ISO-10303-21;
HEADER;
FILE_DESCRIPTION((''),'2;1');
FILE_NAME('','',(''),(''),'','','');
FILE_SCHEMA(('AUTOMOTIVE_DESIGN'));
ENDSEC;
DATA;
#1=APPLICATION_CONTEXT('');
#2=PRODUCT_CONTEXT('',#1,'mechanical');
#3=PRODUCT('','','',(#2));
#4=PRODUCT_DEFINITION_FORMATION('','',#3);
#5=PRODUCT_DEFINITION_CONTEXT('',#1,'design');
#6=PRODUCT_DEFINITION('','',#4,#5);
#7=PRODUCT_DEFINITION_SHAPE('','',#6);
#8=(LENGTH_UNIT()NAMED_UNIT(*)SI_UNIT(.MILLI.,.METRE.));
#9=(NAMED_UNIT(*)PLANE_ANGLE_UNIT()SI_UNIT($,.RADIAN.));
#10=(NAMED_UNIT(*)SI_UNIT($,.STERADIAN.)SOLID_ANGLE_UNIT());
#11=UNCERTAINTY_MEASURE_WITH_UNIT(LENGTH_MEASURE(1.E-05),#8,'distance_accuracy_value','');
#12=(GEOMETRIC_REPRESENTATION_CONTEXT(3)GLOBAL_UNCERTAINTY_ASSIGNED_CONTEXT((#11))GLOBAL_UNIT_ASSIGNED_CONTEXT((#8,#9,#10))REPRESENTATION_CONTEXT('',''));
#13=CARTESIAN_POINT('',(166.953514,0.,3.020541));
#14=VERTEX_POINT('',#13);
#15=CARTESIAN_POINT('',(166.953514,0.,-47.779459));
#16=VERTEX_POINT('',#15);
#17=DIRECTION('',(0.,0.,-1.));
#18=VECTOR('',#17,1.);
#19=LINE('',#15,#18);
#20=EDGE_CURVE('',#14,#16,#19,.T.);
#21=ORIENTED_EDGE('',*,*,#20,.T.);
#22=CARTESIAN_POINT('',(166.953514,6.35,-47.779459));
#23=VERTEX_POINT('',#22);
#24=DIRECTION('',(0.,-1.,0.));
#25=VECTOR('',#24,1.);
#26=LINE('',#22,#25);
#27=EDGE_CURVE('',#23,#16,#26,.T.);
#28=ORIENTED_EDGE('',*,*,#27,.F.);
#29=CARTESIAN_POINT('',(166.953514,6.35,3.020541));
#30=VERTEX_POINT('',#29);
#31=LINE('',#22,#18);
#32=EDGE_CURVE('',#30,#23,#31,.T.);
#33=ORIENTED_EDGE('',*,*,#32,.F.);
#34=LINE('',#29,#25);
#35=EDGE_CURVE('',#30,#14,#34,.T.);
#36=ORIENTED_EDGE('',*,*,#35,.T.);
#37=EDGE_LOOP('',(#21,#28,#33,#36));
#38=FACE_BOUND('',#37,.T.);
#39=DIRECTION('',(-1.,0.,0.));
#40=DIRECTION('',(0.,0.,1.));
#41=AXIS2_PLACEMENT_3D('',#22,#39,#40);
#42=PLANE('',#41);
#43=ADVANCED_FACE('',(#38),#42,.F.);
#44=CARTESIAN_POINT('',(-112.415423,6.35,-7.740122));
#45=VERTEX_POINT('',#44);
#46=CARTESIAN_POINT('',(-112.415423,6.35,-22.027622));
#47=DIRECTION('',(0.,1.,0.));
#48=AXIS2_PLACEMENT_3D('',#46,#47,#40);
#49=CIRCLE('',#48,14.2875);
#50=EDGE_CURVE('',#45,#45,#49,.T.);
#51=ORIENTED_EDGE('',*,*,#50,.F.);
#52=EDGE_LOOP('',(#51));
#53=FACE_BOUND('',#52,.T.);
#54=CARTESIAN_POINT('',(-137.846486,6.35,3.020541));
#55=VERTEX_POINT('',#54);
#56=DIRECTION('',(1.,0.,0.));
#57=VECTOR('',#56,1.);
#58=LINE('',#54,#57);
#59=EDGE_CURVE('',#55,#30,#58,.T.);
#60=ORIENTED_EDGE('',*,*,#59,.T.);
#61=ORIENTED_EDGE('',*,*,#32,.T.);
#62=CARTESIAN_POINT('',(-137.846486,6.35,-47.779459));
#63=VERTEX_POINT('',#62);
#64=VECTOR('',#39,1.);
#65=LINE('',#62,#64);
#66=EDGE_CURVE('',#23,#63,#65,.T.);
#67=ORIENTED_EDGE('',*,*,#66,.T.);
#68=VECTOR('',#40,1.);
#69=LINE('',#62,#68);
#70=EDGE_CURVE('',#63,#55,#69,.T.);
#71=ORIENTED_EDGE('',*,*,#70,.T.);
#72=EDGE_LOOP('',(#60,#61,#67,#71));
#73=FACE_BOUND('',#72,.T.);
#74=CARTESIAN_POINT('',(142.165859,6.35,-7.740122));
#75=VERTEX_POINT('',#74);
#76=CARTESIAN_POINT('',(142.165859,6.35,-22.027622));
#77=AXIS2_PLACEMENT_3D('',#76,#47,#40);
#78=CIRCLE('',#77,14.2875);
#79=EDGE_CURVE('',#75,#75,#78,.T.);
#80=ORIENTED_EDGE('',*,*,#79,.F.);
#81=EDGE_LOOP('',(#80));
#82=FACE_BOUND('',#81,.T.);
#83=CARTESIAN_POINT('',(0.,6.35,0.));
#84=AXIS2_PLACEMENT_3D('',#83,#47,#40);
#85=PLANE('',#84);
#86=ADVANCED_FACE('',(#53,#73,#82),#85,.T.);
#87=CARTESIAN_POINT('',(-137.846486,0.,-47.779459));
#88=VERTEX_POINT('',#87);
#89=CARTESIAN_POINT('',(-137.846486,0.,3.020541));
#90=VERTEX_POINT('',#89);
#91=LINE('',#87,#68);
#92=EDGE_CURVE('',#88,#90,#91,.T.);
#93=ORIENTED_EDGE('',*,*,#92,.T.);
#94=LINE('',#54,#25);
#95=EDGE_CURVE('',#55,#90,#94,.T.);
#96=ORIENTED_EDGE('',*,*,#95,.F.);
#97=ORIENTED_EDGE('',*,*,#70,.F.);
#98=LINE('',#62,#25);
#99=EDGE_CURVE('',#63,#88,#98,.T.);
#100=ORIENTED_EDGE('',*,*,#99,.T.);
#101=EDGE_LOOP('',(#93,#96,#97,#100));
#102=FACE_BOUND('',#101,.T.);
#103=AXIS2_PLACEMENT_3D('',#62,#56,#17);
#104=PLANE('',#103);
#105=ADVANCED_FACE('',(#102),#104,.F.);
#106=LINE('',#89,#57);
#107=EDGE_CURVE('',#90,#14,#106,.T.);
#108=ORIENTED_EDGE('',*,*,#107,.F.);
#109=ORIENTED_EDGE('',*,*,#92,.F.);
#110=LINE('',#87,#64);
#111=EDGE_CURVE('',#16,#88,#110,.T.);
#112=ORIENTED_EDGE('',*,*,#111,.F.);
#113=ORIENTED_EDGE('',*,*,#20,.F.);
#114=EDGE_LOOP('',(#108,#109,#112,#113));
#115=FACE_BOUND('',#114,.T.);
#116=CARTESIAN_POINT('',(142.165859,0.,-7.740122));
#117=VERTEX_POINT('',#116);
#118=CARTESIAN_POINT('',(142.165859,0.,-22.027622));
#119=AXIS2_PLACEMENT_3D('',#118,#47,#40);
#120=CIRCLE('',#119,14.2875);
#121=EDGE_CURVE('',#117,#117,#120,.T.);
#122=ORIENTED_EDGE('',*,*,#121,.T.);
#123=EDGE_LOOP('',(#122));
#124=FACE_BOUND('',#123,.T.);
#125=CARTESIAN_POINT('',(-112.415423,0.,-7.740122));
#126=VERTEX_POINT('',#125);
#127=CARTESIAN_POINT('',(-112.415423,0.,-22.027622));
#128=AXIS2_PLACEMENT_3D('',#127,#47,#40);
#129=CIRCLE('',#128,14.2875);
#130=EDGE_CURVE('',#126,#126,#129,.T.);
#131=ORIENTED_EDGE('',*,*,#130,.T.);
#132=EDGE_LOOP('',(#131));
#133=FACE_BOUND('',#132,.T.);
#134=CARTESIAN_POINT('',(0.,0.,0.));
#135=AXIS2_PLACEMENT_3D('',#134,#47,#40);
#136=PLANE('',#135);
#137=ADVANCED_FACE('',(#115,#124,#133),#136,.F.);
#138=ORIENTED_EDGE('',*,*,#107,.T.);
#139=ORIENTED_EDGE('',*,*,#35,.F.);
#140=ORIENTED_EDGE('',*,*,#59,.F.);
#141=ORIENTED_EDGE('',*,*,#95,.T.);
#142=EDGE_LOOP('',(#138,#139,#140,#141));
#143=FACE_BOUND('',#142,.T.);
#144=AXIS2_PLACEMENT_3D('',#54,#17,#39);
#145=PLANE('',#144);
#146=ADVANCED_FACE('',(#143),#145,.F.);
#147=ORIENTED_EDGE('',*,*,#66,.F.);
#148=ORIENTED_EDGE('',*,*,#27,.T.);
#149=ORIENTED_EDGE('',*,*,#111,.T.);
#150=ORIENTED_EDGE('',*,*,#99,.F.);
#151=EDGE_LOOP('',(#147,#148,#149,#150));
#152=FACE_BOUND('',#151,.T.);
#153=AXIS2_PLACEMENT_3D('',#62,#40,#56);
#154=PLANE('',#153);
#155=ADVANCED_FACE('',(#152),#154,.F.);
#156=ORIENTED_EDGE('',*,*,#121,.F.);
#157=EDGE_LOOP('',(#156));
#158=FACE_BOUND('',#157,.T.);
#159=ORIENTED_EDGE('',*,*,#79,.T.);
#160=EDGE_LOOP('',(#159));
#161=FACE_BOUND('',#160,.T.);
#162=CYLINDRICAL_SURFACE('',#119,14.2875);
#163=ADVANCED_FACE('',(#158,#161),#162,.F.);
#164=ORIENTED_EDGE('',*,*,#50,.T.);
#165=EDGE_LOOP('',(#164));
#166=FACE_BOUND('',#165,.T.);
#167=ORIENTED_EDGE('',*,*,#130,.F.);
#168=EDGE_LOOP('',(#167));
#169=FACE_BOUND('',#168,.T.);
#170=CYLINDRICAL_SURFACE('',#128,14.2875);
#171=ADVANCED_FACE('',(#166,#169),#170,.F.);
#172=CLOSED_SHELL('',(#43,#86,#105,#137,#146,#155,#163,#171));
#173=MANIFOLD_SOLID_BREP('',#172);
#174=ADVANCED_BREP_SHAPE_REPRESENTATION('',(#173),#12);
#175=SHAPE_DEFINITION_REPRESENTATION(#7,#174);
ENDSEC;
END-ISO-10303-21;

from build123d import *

# Parameters (mm, degrees)
SKETCH1_W           = 304.8
SKETCH1_H           = 50.8
BOSS_EXTRUDE1_DEPTH = 6.35
SKETCH2_R           = 14.2875
CUT_EXTRUDE1_DEPTH  = 6.35


with BuildPart() as part:
    # Sketch1 → Boss-Extrude1 (new body)
    with BuildSketch(Plane(origin=(0, 0, 0), x_dir=(1, 0, 0), z_dir=(0, 1, 0))):
        with Locations((14.553513514, 22.379459459)):
            Rectangle(SKETCH1_W, SKETCH1_H)
    extrude(amount=BOSS_EXTRUDE1_DEPTH)

    # Sketch2 → Cut-Extrude1 (cut)
    with BuildSketch(Plane(origin=(0, 6.35, 0), x_dir=(1, 0, 0), z_dir=(0, 1, 0))):
        with Locations((-112.415422729, 22.027621865)):
            Circle(SKETCH2_R)
        with Locations((142.165858982, 22.027621865)):
            Circle(SKETCH2_R)
    extrude(amount=-CUT_EXTRUDE1_DEPTH, mode=Mode.SUBTRACT)


solid = part.part
